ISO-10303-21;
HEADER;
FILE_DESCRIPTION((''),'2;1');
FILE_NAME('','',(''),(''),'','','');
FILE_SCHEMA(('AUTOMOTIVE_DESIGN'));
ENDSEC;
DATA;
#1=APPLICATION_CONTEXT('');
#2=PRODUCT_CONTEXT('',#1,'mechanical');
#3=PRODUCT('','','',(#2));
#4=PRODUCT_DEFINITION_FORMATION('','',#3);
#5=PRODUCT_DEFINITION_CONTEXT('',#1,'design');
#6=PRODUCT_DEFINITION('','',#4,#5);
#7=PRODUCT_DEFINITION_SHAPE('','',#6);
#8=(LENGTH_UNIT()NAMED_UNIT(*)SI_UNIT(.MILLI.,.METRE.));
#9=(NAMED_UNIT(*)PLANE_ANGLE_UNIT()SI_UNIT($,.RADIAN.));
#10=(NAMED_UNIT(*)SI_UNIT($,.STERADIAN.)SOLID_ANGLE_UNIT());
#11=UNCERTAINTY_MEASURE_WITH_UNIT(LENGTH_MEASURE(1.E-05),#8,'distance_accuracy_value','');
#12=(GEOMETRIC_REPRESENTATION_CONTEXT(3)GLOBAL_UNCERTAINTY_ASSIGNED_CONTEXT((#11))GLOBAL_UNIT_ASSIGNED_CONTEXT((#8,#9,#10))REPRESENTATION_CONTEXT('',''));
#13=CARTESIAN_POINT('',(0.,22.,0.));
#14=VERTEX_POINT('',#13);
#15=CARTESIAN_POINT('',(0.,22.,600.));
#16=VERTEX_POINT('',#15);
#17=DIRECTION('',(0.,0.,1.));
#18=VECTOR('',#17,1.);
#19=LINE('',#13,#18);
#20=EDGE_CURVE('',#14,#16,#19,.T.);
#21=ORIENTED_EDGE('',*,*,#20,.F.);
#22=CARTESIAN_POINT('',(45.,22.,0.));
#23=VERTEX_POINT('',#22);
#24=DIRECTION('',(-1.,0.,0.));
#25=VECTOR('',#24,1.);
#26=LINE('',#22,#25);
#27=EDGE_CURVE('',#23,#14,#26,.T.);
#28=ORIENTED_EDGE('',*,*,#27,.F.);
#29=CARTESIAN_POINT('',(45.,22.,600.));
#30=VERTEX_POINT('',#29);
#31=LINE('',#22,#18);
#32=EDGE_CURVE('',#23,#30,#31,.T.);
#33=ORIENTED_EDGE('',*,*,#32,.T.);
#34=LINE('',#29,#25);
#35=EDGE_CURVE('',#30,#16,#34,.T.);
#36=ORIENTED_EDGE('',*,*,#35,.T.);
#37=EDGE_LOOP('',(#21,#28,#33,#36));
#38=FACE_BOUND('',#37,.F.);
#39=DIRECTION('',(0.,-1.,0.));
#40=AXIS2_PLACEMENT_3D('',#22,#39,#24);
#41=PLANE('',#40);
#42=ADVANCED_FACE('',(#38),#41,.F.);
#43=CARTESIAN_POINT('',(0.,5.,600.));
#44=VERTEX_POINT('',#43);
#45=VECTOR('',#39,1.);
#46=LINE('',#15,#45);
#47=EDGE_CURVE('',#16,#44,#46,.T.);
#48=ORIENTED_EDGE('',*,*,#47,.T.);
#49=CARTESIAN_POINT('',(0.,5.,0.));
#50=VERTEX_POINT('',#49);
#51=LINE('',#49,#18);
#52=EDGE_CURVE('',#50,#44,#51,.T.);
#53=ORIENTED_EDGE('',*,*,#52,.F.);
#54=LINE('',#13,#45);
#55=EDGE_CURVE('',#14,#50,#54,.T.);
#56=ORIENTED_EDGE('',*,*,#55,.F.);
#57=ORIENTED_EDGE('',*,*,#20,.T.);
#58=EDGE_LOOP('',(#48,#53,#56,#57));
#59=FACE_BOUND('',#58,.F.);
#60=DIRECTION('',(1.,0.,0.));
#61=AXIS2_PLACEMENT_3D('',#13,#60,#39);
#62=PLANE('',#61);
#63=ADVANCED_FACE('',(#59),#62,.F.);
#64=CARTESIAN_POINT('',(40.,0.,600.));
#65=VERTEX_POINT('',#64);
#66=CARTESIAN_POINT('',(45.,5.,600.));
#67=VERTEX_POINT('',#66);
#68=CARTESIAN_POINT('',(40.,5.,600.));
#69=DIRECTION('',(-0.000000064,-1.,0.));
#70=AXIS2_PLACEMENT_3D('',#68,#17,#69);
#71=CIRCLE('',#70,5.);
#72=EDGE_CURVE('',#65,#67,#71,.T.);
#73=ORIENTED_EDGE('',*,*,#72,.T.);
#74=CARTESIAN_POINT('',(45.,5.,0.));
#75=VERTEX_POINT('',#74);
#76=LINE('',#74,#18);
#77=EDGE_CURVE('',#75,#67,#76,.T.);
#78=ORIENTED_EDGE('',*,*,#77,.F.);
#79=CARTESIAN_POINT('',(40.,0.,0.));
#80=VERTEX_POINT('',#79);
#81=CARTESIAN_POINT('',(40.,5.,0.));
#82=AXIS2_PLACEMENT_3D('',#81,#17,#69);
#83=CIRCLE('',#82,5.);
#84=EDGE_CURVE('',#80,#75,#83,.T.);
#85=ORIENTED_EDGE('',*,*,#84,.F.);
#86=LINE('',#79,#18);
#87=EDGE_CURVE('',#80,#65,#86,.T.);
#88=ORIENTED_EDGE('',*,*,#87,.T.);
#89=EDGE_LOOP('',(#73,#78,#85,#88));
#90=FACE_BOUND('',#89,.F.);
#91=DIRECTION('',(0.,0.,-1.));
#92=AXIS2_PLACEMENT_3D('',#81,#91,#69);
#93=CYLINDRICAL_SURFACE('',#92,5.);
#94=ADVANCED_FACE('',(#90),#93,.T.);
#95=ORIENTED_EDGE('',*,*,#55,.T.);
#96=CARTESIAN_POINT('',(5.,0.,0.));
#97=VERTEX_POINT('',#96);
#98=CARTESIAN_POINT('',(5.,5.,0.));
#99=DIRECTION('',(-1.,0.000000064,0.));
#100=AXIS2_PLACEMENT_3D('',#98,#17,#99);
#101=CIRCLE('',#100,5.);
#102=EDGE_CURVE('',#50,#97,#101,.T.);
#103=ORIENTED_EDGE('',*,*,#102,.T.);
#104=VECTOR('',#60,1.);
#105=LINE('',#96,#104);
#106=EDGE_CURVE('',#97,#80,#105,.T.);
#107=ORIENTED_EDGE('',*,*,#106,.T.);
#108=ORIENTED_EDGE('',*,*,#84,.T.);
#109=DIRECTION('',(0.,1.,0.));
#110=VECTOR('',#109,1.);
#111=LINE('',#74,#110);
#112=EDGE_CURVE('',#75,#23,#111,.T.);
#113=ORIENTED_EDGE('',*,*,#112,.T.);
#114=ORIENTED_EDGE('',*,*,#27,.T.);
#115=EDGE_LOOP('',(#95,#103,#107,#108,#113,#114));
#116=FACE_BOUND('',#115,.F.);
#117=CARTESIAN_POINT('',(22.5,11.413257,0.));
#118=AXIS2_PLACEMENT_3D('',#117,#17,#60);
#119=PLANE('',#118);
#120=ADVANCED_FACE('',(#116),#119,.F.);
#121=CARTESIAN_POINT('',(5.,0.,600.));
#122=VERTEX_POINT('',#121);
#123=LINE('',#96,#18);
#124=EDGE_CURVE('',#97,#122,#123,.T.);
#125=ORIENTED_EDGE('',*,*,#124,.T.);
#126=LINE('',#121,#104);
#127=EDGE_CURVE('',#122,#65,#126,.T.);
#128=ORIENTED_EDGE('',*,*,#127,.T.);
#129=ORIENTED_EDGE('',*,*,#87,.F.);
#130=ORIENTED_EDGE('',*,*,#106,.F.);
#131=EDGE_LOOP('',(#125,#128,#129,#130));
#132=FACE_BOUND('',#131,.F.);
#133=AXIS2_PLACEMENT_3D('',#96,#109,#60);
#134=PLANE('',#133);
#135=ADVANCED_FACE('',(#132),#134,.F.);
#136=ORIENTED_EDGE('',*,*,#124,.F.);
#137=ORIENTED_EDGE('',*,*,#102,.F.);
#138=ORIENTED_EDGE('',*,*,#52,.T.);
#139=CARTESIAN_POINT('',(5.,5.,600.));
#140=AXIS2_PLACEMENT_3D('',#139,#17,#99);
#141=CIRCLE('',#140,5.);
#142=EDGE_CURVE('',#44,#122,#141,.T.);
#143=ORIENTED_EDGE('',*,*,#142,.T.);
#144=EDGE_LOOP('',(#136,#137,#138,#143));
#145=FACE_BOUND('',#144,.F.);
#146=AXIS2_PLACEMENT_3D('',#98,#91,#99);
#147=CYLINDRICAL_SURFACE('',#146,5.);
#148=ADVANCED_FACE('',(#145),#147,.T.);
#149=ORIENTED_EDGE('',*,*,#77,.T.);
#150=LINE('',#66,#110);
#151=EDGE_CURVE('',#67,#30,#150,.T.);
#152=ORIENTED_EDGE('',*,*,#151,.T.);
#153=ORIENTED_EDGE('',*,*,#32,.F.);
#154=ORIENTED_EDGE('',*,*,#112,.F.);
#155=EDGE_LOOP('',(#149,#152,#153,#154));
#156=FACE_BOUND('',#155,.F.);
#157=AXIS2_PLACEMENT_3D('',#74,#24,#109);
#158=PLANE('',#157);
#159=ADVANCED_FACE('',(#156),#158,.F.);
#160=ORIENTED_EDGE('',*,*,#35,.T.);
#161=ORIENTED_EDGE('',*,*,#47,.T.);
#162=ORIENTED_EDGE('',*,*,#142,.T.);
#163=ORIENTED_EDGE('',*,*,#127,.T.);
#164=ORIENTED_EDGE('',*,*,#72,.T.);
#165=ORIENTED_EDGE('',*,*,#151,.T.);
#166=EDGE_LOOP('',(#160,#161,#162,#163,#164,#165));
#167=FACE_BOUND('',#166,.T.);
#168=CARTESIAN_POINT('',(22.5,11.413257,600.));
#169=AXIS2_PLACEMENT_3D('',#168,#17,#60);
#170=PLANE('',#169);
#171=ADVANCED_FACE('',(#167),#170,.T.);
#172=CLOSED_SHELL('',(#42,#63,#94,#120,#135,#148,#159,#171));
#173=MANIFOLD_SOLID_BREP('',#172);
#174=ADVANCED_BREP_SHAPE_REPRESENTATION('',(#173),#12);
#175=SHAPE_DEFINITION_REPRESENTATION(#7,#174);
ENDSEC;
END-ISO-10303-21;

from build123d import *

# Parameters (mm, degrees)
F1_DEPTH = 600


with BuildPart() as f1:
    # F0 (on Top) → F1 (new body)
    with BuildSketch(Plane.XY):
        with BuildLine():
            ThreePointArc((0, 5), (1.464466, 1.464466), (5, 0))
            Line((5, 0), (40, 0))
            ThreePointArc((40, 0), (43.535534, 1.464466), (45, 5))
            Line((45, 5), (45, 22))
            Line((45, 22), (0, 22))
            Line((0, 22), (0, 5))
        make_face()
    extrude(amount=F1_DEPTH)


solid = f1.part
